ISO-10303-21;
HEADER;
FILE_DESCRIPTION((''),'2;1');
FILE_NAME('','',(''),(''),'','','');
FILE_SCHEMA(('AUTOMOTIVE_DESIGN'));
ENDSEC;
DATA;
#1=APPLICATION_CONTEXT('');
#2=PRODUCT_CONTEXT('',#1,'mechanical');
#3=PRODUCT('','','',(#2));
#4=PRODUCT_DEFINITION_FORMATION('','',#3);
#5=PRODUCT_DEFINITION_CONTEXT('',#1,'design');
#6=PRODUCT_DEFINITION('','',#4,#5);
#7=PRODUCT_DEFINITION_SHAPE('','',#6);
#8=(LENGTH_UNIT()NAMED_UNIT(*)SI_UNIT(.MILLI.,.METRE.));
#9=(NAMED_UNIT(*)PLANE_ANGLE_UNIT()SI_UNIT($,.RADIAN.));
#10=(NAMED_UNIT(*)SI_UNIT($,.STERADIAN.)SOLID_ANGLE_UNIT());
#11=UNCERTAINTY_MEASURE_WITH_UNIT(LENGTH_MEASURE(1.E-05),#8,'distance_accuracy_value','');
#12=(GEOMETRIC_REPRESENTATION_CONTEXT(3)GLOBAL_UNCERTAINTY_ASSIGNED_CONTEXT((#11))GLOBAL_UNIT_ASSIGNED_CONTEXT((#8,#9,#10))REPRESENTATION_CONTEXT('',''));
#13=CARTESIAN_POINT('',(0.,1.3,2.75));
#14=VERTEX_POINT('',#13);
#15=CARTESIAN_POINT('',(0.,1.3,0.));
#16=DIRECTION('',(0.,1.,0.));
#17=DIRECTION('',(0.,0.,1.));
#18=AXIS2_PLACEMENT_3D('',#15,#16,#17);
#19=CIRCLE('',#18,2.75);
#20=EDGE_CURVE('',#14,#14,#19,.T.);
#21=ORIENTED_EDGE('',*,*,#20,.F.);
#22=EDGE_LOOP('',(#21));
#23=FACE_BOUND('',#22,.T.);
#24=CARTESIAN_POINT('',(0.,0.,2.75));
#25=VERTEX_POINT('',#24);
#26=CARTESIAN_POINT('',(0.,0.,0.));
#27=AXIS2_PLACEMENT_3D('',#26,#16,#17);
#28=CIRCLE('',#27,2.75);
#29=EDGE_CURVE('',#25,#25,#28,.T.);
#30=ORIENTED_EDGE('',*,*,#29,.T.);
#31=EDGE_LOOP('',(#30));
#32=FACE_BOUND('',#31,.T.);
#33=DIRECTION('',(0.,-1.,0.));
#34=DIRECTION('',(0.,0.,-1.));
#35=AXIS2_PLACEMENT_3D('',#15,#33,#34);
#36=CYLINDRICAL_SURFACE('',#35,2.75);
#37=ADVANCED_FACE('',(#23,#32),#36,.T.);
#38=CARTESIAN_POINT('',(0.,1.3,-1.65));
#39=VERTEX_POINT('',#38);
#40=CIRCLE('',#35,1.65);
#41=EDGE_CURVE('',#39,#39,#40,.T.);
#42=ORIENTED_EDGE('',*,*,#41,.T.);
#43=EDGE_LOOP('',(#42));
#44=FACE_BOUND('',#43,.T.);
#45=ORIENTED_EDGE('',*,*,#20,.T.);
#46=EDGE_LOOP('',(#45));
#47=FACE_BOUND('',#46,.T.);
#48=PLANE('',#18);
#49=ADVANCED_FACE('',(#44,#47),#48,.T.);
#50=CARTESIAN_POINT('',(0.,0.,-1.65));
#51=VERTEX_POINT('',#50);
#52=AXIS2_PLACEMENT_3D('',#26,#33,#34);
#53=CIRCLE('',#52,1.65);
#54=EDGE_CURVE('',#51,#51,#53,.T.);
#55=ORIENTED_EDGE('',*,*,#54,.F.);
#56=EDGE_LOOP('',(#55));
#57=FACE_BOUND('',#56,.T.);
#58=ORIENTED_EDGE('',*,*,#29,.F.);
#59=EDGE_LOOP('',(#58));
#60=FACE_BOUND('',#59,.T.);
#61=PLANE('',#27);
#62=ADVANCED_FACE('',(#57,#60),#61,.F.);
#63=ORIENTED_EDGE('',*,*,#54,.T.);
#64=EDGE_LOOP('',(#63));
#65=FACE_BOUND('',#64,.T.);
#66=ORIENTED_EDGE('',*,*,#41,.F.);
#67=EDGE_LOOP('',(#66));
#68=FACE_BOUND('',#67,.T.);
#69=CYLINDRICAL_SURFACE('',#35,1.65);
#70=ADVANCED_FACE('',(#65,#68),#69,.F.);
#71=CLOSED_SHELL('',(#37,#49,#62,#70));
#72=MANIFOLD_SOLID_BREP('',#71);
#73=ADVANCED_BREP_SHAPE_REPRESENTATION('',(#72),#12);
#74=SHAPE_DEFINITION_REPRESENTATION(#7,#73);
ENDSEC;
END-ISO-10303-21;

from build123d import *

# Parameters (mm, degrees)
SKETCH1_R           = 2.75
BOSS_EXTRUDE1_DEPTH = 1.3
SKETCH2_R           = 1.65
CUT_EXTRUDE1_DEPTH  = 1.3


with BuildPart() as part:
    # Sketch1 → Boss-Extrude1 (new body)
    with BuildSketch(Plane(origin=(0, 0, 0), x_dir=(1, 0, 0), z_dir=(0, 1, 0))):
        with Locations(Location((0, 0, 0), (0, 0, 270))):
            Circle(SKETCH1_R)
    extrude(amount=BOSS_EXTRUDE1_DEPTH)

    # Sketch2 → Cut-Extrude1 (cut)
    with BuildSketch(Plane.XZ):
        with Locations(Location((0, 0, 0), (0, 0, 270))):
            Circle(SKETCH2_R)
    extrude(amount=-CUT_EXTRUDE1_DEPTH, mode=Mode.SUBTRACT)


solid = part.part
